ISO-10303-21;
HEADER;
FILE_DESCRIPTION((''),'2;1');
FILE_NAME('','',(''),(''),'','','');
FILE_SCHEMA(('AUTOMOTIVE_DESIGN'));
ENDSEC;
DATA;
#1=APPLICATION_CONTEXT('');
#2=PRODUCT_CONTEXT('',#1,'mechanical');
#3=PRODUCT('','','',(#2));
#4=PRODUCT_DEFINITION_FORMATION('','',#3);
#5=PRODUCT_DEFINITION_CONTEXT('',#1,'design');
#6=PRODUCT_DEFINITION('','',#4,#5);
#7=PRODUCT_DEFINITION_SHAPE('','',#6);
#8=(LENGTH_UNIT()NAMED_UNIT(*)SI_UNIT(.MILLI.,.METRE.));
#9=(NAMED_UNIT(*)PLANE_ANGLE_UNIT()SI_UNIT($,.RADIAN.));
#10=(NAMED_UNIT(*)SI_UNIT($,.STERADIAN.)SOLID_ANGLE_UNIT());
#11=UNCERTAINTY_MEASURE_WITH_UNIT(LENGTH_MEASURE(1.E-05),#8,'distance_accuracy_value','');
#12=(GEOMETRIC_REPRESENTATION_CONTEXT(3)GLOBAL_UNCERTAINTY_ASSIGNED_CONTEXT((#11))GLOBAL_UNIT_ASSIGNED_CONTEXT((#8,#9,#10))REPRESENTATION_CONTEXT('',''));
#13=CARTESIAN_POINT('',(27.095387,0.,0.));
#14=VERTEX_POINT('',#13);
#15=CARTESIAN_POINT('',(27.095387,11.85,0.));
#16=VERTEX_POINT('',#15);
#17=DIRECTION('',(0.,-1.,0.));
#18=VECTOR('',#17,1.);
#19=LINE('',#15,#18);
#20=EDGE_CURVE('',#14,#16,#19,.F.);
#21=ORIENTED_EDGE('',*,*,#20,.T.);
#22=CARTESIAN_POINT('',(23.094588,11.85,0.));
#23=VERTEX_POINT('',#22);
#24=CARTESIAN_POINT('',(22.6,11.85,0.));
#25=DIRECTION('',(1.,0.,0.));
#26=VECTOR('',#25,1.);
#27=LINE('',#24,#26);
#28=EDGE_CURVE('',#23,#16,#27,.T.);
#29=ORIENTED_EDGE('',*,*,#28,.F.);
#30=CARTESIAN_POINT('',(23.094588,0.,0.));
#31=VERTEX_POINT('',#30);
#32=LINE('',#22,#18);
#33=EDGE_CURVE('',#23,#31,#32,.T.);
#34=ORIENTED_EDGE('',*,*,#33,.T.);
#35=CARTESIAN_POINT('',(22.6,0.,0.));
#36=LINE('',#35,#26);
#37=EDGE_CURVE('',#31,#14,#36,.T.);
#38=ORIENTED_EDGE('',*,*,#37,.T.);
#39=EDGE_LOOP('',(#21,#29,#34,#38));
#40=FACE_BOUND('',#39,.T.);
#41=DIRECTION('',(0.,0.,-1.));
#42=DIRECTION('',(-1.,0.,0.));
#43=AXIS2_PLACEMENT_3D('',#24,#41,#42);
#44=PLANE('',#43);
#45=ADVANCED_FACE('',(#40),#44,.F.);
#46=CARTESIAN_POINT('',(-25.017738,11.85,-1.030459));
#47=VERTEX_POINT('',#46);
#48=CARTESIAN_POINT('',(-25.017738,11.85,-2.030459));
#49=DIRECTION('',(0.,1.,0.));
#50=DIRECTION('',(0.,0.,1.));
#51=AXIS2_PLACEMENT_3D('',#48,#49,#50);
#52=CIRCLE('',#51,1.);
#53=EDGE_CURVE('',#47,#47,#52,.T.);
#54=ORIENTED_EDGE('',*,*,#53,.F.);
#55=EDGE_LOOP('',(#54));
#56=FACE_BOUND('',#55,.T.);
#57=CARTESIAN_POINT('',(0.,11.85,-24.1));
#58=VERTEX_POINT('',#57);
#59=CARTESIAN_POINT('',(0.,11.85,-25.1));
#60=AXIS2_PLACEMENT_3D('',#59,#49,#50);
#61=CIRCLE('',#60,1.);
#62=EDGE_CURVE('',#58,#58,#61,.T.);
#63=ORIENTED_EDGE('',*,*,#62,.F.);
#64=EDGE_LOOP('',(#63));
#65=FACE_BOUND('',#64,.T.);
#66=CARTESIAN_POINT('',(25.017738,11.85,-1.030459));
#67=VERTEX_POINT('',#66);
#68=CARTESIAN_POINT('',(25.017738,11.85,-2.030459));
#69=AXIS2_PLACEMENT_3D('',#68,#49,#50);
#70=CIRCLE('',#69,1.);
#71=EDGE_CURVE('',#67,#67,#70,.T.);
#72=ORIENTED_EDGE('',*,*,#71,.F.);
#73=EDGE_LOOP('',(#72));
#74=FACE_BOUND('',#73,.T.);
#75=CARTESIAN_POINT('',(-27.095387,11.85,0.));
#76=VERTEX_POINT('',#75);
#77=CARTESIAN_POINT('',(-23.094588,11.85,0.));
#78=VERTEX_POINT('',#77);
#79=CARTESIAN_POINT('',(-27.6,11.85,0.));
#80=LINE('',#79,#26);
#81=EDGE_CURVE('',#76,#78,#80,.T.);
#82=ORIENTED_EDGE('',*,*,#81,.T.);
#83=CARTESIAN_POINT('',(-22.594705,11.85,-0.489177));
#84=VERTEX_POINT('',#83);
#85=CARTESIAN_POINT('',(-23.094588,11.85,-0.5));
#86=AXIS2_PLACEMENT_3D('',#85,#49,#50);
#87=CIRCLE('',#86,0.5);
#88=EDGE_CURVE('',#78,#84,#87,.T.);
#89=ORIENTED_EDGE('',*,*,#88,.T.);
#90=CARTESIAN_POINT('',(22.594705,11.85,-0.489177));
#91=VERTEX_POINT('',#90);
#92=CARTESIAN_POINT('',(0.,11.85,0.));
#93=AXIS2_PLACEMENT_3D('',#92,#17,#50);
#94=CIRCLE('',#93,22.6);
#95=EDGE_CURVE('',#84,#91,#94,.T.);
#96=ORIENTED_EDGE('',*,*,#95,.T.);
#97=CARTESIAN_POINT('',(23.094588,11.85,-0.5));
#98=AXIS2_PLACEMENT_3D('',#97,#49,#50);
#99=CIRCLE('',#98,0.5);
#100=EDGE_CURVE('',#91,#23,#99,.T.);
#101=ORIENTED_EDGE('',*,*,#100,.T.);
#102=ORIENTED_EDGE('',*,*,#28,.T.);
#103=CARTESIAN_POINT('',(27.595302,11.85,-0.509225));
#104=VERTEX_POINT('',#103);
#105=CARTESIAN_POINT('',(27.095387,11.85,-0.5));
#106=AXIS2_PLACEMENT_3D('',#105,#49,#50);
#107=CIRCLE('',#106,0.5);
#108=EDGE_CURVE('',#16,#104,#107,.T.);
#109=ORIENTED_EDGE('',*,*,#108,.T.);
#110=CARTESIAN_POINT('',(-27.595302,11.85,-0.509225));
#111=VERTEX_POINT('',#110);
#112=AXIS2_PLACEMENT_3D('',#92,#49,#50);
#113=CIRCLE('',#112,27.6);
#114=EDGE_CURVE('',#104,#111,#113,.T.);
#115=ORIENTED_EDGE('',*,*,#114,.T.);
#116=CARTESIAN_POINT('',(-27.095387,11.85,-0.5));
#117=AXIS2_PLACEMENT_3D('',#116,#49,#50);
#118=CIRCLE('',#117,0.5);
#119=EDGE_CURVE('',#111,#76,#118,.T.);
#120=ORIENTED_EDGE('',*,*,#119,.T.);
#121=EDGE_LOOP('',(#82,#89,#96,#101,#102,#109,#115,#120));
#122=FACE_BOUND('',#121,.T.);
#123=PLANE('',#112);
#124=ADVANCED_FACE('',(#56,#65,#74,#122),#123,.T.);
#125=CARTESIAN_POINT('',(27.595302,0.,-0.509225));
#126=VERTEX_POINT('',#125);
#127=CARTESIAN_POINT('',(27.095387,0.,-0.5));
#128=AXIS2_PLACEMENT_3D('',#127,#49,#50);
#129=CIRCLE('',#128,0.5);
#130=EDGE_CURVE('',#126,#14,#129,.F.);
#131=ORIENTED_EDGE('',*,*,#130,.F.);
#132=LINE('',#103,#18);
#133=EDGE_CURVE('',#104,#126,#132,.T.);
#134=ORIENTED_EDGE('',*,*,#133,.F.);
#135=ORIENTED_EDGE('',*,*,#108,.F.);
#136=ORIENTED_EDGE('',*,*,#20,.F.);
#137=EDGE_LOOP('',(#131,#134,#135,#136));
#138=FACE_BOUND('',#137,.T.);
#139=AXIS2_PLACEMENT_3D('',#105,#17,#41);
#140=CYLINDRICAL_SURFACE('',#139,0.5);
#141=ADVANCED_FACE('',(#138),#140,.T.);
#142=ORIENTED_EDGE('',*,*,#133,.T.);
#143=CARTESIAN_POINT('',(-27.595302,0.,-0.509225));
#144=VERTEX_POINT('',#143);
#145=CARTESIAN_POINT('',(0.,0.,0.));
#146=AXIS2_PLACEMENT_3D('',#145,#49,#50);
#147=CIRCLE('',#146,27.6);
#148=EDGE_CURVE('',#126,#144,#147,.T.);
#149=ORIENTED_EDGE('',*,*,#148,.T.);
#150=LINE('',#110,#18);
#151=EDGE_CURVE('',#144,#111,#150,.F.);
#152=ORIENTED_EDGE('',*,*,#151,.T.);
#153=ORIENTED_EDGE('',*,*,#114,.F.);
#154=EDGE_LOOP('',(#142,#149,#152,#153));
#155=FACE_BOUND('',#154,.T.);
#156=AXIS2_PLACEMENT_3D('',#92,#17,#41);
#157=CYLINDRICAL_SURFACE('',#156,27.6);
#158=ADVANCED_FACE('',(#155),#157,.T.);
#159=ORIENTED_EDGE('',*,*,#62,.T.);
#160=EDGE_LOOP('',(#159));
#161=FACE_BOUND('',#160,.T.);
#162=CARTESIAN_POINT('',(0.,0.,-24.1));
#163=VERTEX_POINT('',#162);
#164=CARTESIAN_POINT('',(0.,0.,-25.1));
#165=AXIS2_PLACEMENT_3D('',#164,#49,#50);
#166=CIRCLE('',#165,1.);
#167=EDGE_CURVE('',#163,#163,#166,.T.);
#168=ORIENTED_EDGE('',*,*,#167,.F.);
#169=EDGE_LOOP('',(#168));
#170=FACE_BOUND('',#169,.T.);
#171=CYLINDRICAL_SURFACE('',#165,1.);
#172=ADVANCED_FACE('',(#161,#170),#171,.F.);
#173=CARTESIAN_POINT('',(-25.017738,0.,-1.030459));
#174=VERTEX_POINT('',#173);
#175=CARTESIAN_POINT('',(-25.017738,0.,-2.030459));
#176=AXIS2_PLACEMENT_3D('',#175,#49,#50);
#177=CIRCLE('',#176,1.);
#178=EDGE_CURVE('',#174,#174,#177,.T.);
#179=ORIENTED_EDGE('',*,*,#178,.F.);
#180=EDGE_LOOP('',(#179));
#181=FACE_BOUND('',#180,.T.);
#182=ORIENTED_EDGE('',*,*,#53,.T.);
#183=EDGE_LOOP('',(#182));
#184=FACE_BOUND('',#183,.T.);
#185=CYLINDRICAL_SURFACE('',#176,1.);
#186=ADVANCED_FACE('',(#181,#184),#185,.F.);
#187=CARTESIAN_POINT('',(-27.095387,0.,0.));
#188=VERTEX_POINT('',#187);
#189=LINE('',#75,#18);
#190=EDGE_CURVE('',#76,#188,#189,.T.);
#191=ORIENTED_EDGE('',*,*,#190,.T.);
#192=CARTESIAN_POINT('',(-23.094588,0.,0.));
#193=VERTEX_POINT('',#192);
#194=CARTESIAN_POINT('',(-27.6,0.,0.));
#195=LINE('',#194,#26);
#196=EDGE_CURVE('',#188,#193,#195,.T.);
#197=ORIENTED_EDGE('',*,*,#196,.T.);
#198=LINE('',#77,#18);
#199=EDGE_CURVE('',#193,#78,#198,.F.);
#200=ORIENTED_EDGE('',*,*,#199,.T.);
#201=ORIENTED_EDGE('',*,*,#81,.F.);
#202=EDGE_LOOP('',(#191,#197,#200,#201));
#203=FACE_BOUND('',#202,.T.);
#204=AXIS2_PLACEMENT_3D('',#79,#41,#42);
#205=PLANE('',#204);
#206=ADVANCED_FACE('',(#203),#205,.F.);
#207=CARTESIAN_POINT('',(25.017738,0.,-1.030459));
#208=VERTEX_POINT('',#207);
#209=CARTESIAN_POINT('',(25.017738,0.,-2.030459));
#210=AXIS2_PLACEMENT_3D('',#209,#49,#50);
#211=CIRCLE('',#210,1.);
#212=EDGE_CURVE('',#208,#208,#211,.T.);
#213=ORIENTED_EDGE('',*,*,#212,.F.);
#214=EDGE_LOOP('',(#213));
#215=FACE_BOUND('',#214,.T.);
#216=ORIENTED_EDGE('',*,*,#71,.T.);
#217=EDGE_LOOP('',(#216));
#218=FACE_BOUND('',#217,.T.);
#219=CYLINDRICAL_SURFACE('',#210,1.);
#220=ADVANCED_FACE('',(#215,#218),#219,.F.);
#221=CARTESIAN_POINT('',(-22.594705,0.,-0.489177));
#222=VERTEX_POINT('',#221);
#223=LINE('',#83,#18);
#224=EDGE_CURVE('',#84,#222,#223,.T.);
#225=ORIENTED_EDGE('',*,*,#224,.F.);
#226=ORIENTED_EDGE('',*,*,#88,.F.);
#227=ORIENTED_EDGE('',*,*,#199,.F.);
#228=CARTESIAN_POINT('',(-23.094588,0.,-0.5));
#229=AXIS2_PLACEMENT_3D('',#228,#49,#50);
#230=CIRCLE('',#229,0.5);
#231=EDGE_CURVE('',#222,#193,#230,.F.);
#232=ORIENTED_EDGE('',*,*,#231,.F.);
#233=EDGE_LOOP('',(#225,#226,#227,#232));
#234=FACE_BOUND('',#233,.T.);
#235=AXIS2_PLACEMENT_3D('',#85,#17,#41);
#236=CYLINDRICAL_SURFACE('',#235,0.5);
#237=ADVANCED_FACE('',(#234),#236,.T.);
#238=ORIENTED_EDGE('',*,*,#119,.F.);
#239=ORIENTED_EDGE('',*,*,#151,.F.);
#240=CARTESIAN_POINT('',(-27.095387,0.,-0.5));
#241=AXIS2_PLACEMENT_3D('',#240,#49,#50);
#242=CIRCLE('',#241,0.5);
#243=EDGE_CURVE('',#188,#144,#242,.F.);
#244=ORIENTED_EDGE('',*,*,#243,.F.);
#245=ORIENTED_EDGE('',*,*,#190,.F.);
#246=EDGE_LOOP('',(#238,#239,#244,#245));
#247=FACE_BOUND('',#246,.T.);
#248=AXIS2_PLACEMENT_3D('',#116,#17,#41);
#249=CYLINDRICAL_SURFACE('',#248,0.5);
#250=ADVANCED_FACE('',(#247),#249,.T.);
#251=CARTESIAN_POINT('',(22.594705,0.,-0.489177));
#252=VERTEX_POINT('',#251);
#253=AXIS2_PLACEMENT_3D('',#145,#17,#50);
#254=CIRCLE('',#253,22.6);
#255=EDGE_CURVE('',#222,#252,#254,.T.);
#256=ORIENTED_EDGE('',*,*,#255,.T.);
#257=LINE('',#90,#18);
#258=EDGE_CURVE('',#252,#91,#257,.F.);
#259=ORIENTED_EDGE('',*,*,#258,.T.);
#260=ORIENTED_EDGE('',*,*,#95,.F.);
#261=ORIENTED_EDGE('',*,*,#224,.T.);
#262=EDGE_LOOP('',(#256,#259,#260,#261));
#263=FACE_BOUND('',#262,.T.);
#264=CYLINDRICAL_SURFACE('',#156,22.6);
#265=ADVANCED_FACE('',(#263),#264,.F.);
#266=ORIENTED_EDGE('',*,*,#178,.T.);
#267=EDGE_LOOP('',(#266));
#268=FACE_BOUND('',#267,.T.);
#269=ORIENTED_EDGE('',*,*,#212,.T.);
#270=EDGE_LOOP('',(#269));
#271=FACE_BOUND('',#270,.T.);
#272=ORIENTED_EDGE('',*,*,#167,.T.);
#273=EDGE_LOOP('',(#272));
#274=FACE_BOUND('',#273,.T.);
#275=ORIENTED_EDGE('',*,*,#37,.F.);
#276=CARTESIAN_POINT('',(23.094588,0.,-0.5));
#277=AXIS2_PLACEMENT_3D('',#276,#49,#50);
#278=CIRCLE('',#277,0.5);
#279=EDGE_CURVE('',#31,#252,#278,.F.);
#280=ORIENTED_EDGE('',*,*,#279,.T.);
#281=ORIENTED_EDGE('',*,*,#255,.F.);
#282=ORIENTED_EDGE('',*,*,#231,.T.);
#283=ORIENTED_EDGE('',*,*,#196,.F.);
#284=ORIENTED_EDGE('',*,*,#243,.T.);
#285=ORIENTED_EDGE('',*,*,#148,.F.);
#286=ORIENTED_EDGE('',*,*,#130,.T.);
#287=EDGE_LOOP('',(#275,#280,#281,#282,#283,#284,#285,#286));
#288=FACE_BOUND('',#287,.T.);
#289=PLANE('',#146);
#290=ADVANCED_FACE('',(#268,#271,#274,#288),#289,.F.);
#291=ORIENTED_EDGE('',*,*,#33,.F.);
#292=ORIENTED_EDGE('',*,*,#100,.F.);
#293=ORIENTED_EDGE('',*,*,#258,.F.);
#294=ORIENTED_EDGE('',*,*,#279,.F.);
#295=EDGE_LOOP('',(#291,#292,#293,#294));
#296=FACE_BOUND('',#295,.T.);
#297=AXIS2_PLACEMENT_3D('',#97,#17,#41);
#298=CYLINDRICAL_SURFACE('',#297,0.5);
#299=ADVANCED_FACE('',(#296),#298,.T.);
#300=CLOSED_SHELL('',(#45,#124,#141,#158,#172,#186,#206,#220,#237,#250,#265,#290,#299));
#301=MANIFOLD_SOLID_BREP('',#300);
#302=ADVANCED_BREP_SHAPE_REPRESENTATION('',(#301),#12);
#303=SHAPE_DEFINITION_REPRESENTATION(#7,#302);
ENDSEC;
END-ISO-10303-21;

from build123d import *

# Parameters (mm, degrees)
EXTRUDE_1_DEPTH     = 11.85
SKETCH_2_R          = 1
CUT_EXTRUDE_1_DEPTH = 12.85
FILLET_1_R          = 0.5


with BuildPart() as part:
    # 草图1 → 凸台-拉伸1 (new body)
    with BuildSketch(Plane(origin=(0, 0, 0), x_dir=(1, 0, 0), z_dir=(0, 1, 0))):
        with BuildLine():
            Line((-27.6, 0), (-22.6, 0))
            ThreePointArc((-22.6, 0), (0, 22.6), (22.6, 0))
            Line((22.6, 0), (27.6, 0))
            ThreePointArc((27.6, 0), (0, 27.6), (-27.6, 0))
        make_face()
    extrude(amount=EXTRUDE_1_DEPTH)

    # 草图2 → 切除-拉伸1 (cut, through all)
    with BuildSketch(Plane(origin=(0, 11.85, 0), x_dir=(1, 0, 0), z_dir=(0, 1, 0))):
        with Locations((-25.017738418, 2.03045917)):
            Circle(SKETCH_2_R)
        with Locations((25.017738418, 2.03045917)):
            Circle(SKETCH_2_R)
        with Locations((0, 25.1)):
            Circle(SKETCH_2_R)
    extrude(amount=-CUT_EXTRUDE_1_DEPTH, mode=Mode.SUBTRACT)

    # 圆角1
    fillet_1_edges = [part.edges().sort_by_distance(p)[0] for p in [
        (-22.6, 5.925, 0),
        (-27.6, 5.925, 0),
        (27.6, 5.925, 0),
        (22.6, 5.925, 0),
    ]]
    fillet(fillet_1_edges, radius=FILLET_1_R)


solid = part.part
